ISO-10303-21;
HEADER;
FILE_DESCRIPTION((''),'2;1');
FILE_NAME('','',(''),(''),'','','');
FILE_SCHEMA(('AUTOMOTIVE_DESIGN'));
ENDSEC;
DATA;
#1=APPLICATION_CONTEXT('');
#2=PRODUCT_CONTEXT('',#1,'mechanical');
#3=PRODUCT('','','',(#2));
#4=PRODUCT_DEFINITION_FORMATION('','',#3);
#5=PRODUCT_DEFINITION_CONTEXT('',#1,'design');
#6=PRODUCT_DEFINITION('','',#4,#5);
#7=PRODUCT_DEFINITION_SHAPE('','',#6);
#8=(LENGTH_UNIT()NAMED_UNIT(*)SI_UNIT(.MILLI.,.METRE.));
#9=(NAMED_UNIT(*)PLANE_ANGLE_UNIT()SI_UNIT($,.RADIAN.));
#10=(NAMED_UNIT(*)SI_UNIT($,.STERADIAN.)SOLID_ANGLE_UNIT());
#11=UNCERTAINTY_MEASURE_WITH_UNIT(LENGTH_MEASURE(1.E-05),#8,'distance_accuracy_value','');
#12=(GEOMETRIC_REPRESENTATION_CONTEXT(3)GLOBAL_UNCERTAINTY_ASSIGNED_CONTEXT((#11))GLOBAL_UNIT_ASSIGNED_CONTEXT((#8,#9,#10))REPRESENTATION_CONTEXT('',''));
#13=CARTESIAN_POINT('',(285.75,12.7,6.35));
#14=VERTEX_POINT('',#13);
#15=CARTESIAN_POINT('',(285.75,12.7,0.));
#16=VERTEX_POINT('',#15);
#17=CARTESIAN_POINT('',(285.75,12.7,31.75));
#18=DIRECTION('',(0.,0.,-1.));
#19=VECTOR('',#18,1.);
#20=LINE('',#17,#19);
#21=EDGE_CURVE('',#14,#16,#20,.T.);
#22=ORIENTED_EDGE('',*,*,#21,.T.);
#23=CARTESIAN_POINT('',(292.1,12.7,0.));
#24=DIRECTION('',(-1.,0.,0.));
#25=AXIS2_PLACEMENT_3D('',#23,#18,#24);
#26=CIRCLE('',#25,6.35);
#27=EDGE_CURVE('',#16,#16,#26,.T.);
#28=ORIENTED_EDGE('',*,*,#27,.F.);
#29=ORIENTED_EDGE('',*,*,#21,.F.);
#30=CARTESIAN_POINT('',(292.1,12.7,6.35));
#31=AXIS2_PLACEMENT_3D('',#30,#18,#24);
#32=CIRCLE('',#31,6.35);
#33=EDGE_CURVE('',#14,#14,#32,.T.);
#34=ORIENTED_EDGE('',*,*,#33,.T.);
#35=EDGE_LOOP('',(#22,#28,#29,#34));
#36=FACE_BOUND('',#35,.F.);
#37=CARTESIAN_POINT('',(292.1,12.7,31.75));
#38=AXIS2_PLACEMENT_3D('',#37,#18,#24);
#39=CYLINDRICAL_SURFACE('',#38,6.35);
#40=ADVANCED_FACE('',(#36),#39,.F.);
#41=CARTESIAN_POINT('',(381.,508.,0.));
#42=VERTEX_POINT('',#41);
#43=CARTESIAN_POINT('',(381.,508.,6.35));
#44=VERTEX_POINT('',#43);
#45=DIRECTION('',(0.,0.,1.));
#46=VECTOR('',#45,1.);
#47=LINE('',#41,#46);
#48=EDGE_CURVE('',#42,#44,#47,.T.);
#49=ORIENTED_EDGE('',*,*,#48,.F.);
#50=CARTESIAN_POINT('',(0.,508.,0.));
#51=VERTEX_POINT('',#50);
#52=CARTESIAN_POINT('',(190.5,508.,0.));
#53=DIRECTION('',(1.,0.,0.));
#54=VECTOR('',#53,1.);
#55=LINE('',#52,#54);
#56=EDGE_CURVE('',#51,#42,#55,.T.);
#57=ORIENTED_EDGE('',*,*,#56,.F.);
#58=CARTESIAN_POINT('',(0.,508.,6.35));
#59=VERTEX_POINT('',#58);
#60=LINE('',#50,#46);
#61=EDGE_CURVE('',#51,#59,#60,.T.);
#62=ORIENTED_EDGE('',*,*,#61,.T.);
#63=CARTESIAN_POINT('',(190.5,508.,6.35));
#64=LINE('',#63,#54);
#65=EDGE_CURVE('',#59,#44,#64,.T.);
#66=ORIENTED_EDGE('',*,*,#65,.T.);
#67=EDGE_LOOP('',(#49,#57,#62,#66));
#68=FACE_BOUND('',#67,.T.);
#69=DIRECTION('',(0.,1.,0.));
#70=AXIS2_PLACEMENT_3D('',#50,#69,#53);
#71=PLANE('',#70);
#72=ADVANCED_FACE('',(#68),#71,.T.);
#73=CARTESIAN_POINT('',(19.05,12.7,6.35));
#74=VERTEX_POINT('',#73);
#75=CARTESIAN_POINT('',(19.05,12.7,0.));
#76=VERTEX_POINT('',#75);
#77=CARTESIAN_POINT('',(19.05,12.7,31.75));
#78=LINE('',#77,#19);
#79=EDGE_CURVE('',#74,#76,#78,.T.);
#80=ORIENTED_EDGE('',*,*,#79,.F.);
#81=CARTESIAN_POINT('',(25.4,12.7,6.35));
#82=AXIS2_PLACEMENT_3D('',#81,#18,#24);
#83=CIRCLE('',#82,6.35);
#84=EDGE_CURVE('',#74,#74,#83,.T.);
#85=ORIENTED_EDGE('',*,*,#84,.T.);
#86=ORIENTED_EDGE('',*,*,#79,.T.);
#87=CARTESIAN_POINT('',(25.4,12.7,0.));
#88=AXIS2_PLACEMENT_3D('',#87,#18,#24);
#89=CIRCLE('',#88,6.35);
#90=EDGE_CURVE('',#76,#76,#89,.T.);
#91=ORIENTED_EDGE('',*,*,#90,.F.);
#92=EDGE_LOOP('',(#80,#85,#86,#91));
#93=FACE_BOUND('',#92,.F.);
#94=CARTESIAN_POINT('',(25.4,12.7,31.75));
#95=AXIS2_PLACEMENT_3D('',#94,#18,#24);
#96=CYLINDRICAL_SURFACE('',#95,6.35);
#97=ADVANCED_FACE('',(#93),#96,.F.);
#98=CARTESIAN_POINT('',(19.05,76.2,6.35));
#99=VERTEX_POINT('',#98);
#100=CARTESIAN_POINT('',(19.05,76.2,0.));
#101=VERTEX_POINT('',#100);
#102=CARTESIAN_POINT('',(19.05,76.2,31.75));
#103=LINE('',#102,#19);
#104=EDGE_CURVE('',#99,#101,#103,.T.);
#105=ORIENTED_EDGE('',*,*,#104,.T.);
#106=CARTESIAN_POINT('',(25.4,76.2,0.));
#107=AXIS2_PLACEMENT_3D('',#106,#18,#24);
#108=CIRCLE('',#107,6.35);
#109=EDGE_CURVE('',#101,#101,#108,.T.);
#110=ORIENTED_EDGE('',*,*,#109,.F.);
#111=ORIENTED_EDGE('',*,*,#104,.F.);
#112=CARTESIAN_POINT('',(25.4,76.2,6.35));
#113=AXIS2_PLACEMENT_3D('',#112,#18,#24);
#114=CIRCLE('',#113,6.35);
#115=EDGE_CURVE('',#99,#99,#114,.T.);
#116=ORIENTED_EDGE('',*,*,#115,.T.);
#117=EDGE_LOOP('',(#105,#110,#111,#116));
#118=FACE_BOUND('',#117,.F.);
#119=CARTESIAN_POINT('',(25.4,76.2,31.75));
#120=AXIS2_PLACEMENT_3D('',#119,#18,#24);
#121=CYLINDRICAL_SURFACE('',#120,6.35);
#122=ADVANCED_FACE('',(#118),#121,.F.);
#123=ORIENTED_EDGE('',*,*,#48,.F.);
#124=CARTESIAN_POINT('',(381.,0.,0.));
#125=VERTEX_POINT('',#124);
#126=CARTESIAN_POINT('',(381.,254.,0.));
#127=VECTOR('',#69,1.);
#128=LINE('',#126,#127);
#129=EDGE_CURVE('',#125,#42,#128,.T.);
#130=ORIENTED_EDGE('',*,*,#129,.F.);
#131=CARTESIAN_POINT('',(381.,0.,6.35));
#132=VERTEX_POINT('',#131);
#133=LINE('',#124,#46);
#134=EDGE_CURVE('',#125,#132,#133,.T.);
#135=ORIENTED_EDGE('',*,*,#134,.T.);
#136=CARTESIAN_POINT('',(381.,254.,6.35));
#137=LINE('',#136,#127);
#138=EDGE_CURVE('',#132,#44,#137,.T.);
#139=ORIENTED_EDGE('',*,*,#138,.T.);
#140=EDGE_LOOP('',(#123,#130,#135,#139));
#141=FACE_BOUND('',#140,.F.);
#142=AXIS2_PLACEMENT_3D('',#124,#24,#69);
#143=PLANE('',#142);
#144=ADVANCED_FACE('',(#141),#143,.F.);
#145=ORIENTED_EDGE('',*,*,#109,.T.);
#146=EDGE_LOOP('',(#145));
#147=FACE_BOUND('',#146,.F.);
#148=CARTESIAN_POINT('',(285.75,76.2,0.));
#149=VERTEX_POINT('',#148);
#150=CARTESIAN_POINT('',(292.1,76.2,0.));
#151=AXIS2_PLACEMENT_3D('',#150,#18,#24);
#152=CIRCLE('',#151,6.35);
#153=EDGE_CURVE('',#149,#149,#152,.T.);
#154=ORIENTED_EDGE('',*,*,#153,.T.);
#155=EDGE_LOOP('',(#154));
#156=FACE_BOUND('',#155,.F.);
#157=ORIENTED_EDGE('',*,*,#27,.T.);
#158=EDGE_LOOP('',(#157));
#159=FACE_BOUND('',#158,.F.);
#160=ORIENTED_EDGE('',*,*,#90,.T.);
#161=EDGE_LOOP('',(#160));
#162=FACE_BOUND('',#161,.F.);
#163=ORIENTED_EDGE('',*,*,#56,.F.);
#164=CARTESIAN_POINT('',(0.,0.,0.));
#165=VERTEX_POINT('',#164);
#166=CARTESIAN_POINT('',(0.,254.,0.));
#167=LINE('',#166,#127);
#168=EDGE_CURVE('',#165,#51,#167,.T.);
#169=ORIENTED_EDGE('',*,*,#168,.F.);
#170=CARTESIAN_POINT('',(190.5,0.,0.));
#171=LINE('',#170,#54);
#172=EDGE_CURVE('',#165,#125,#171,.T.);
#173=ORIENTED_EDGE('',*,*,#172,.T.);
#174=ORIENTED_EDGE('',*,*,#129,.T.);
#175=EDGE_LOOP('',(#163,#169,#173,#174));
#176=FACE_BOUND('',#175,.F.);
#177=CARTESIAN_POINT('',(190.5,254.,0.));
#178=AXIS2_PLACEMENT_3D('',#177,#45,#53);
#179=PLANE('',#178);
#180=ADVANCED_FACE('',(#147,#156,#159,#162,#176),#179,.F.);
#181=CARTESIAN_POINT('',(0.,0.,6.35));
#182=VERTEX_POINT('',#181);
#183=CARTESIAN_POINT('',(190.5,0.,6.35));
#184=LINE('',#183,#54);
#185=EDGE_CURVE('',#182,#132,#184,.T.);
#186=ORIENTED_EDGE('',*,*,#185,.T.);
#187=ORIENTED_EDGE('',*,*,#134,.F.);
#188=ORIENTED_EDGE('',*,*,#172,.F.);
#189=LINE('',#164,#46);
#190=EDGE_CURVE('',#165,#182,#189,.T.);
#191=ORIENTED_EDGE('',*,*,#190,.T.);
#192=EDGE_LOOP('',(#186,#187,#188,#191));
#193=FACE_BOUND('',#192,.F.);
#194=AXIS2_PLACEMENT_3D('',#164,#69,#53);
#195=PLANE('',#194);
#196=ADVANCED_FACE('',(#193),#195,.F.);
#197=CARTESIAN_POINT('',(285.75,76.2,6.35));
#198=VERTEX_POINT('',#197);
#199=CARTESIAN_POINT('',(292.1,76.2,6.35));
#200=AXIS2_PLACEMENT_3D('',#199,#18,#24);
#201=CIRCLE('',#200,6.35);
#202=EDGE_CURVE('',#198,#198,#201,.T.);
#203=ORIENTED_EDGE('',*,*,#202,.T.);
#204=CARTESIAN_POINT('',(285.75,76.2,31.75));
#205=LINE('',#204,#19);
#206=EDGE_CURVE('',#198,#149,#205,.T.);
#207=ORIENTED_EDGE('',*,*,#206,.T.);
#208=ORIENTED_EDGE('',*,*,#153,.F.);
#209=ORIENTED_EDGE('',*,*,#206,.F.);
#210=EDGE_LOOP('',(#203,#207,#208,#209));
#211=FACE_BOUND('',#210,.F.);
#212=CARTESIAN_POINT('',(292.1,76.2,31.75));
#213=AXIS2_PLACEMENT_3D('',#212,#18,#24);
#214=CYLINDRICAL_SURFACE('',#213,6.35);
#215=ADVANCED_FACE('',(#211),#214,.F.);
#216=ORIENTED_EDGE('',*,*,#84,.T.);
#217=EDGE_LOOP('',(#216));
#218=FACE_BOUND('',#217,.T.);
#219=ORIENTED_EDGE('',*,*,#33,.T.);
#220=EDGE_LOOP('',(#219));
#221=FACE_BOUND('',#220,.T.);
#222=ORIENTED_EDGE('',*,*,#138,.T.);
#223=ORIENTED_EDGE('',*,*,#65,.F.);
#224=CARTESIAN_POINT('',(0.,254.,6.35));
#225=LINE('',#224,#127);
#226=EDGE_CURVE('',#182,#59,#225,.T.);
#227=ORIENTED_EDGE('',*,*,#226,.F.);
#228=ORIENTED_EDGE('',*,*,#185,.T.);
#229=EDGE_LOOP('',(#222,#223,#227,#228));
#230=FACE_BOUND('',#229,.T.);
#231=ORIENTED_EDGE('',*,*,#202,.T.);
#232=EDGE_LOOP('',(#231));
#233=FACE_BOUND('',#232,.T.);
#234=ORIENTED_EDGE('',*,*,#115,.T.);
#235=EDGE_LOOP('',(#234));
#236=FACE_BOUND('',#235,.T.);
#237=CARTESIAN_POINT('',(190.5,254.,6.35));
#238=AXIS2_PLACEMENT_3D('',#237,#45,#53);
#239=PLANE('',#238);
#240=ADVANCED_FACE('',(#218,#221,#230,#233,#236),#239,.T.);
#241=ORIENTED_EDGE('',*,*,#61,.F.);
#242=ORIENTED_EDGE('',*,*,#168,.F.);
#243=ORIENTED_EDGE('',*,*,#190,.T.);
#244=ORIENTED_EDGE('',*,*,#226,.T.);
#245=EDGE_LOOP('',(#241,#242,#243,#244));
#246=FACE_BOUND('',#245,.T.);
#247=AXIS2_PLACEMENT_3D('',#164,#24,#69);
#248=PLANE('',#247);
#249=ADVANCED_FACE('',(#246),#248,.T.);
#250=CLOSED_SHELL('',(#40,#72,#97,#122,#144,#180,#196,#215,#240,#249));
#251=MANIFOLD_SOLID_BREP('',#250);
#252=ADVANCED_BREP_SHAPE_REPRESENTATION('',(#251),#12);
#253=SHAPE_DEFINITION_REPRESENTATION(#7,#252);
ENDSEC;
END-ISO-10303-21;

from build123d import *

# Parameters (mm, degrees)
F0_W     = 381
F0_H     = 508
F1_DEPTH = 6.35
F3_D     = 12.7
F3_DEPTH = 25.4


with BuildPart() as f1:
    # F0 (on Top) → F1 (new body)
    with BuildSketch(Plane.XY):
        with Locations((190.5, 254)):
            Rectangle(F0_W, F0_H)
    extrude(amount=F1_DEPTH)

    # F3
    with Locations(Plane.XY.offset(6.35)):
        with Locations((25.4, 12.7), (25.4, 76.2), (292.1, 76.2), (292.1, 12.7)):
            Hole(F3_D / 2, depth=F3_DEPTH)


solid = f1.part
